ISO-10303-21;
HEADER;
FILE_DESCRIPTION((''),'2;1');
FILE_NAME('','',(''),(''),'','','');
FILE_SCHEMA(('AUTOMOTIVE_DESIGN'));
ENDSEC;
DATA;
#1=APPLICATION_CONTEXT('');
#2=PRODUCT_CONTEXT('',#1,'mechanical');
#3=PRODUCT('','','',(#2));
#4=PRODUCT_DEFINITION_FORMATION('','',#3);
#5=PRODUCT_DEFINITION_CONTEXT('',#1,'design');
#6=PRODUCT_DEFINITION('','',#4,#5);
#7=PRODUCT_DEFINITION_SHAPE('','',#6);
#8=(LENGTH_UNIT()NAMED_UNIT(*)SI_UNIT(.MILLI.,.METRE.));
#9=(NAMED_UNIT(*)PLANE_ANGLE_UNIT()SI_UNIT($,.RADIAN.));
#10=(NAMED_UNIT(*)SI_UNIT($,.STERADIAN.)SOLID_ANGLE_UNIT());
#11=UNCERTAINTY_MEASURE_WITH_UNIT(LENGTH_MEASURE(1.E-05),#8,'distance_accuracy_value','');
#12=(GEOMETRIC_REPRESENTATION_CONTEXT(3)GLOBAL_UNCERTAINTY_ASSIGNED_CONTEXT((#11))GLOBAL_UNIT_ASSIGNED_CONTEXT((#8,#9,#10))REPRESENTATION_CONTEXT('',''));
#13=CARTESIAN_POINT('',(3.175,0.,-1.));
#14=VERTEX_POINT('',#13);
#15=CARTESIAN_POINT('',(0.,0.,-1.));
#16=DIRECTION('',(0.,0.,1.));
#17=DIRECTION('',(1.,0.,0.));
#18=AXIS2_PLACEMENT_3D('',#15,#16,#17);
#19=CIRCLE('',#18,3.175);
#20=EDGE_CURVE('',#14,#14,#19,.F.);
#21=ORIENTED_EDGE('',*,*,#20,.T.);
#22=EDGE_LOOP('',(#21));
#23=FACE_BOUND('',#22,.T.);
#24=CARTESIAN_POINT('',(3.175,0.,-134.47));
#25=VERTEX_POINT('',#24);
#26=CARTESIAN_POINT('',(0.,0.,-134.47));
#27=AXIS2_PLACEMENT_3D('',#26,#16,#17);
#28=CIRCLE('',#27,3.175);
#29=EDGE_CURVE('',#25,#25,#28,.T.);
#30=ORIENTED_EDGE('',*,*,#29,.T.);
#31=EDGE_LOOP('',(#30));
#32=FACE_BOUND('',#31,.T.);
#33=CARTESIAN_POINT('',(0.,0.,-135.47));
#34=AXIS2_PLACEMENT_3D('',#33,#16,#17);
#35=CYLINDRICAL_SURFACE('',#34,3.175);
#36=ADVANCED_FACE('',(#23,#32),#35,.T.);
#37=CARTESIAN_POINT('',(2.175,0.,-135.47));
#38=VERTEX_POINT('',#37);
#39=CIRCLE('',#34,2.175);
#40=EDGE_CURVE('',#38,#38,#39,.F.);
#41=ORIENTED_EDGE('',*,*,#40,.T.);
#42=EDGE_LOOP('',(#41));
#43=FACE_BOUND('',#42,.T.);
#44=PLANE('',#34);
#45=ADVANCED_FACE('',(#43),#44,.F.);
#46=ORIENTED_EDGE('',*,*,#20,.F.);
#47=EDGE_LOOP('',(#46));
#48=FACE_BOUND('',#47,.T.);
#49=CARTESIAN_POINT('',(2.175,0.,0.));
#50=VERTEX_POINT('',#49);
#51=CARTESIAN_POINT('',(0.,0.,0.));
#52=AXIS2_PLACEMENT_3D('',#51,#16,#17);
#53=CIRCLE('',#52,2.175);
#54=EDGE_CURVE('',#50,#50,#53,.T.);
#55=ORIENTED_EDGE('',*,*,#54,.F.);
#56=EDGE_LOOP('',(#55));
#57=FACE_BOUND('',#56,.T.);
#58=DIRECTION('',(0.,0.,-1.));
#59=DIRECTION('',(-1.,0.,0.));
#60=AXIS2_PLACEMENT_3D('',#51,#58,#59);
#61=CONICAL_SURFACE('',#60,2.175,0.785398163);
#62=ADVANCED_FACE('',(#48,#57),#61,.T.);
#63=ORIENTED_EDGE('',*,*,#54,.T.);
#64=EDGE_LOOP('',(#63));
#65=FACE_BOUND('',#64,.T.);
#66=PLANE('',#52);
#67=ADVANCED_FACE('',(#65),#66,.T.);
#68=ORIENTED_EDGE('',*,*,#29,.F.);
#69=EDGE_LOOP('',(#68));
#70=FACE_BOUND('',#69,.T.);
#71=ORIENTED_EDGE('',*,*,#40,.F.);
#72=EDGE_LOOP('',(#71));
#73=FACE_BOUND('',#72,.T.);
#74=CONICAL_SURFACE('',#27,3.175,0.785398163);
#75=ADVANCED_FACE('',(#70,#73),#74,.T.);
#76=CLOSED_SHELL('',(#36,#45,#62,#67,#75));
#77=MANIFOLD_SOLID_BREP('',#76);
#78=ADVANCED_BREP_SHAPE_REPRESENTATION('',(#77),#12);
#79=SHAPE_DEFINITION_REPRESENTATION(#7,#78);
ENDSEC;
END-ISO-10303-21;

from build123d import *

# Parameters (mm, degrees)
SKETCH1_R           = 3.175
BOSS_EXTRUDE1_DEPTH = 135.470000078
CHAMFER1_SIZE       = 1


with BuildPart() as part:
    # Sketch1 → Boss-Extrude1 (new body)
    with BuildSketch(Plane.XY):
        Circle(SKETCH1_R)
    extrude(amount=-BOSS_EXTRUDE1_DEPTH)

    # Chamfer1
    chamfer1_edges = [part.edges().sort_by_distance(p)[0] for p in [
        (-3.175, 0, 0),
        (-3.175, 0, -135.470000078),
    ]]
    chamfer(chamfer1_edges, length=CHAMFER1_SIZE)


solid = part.part
